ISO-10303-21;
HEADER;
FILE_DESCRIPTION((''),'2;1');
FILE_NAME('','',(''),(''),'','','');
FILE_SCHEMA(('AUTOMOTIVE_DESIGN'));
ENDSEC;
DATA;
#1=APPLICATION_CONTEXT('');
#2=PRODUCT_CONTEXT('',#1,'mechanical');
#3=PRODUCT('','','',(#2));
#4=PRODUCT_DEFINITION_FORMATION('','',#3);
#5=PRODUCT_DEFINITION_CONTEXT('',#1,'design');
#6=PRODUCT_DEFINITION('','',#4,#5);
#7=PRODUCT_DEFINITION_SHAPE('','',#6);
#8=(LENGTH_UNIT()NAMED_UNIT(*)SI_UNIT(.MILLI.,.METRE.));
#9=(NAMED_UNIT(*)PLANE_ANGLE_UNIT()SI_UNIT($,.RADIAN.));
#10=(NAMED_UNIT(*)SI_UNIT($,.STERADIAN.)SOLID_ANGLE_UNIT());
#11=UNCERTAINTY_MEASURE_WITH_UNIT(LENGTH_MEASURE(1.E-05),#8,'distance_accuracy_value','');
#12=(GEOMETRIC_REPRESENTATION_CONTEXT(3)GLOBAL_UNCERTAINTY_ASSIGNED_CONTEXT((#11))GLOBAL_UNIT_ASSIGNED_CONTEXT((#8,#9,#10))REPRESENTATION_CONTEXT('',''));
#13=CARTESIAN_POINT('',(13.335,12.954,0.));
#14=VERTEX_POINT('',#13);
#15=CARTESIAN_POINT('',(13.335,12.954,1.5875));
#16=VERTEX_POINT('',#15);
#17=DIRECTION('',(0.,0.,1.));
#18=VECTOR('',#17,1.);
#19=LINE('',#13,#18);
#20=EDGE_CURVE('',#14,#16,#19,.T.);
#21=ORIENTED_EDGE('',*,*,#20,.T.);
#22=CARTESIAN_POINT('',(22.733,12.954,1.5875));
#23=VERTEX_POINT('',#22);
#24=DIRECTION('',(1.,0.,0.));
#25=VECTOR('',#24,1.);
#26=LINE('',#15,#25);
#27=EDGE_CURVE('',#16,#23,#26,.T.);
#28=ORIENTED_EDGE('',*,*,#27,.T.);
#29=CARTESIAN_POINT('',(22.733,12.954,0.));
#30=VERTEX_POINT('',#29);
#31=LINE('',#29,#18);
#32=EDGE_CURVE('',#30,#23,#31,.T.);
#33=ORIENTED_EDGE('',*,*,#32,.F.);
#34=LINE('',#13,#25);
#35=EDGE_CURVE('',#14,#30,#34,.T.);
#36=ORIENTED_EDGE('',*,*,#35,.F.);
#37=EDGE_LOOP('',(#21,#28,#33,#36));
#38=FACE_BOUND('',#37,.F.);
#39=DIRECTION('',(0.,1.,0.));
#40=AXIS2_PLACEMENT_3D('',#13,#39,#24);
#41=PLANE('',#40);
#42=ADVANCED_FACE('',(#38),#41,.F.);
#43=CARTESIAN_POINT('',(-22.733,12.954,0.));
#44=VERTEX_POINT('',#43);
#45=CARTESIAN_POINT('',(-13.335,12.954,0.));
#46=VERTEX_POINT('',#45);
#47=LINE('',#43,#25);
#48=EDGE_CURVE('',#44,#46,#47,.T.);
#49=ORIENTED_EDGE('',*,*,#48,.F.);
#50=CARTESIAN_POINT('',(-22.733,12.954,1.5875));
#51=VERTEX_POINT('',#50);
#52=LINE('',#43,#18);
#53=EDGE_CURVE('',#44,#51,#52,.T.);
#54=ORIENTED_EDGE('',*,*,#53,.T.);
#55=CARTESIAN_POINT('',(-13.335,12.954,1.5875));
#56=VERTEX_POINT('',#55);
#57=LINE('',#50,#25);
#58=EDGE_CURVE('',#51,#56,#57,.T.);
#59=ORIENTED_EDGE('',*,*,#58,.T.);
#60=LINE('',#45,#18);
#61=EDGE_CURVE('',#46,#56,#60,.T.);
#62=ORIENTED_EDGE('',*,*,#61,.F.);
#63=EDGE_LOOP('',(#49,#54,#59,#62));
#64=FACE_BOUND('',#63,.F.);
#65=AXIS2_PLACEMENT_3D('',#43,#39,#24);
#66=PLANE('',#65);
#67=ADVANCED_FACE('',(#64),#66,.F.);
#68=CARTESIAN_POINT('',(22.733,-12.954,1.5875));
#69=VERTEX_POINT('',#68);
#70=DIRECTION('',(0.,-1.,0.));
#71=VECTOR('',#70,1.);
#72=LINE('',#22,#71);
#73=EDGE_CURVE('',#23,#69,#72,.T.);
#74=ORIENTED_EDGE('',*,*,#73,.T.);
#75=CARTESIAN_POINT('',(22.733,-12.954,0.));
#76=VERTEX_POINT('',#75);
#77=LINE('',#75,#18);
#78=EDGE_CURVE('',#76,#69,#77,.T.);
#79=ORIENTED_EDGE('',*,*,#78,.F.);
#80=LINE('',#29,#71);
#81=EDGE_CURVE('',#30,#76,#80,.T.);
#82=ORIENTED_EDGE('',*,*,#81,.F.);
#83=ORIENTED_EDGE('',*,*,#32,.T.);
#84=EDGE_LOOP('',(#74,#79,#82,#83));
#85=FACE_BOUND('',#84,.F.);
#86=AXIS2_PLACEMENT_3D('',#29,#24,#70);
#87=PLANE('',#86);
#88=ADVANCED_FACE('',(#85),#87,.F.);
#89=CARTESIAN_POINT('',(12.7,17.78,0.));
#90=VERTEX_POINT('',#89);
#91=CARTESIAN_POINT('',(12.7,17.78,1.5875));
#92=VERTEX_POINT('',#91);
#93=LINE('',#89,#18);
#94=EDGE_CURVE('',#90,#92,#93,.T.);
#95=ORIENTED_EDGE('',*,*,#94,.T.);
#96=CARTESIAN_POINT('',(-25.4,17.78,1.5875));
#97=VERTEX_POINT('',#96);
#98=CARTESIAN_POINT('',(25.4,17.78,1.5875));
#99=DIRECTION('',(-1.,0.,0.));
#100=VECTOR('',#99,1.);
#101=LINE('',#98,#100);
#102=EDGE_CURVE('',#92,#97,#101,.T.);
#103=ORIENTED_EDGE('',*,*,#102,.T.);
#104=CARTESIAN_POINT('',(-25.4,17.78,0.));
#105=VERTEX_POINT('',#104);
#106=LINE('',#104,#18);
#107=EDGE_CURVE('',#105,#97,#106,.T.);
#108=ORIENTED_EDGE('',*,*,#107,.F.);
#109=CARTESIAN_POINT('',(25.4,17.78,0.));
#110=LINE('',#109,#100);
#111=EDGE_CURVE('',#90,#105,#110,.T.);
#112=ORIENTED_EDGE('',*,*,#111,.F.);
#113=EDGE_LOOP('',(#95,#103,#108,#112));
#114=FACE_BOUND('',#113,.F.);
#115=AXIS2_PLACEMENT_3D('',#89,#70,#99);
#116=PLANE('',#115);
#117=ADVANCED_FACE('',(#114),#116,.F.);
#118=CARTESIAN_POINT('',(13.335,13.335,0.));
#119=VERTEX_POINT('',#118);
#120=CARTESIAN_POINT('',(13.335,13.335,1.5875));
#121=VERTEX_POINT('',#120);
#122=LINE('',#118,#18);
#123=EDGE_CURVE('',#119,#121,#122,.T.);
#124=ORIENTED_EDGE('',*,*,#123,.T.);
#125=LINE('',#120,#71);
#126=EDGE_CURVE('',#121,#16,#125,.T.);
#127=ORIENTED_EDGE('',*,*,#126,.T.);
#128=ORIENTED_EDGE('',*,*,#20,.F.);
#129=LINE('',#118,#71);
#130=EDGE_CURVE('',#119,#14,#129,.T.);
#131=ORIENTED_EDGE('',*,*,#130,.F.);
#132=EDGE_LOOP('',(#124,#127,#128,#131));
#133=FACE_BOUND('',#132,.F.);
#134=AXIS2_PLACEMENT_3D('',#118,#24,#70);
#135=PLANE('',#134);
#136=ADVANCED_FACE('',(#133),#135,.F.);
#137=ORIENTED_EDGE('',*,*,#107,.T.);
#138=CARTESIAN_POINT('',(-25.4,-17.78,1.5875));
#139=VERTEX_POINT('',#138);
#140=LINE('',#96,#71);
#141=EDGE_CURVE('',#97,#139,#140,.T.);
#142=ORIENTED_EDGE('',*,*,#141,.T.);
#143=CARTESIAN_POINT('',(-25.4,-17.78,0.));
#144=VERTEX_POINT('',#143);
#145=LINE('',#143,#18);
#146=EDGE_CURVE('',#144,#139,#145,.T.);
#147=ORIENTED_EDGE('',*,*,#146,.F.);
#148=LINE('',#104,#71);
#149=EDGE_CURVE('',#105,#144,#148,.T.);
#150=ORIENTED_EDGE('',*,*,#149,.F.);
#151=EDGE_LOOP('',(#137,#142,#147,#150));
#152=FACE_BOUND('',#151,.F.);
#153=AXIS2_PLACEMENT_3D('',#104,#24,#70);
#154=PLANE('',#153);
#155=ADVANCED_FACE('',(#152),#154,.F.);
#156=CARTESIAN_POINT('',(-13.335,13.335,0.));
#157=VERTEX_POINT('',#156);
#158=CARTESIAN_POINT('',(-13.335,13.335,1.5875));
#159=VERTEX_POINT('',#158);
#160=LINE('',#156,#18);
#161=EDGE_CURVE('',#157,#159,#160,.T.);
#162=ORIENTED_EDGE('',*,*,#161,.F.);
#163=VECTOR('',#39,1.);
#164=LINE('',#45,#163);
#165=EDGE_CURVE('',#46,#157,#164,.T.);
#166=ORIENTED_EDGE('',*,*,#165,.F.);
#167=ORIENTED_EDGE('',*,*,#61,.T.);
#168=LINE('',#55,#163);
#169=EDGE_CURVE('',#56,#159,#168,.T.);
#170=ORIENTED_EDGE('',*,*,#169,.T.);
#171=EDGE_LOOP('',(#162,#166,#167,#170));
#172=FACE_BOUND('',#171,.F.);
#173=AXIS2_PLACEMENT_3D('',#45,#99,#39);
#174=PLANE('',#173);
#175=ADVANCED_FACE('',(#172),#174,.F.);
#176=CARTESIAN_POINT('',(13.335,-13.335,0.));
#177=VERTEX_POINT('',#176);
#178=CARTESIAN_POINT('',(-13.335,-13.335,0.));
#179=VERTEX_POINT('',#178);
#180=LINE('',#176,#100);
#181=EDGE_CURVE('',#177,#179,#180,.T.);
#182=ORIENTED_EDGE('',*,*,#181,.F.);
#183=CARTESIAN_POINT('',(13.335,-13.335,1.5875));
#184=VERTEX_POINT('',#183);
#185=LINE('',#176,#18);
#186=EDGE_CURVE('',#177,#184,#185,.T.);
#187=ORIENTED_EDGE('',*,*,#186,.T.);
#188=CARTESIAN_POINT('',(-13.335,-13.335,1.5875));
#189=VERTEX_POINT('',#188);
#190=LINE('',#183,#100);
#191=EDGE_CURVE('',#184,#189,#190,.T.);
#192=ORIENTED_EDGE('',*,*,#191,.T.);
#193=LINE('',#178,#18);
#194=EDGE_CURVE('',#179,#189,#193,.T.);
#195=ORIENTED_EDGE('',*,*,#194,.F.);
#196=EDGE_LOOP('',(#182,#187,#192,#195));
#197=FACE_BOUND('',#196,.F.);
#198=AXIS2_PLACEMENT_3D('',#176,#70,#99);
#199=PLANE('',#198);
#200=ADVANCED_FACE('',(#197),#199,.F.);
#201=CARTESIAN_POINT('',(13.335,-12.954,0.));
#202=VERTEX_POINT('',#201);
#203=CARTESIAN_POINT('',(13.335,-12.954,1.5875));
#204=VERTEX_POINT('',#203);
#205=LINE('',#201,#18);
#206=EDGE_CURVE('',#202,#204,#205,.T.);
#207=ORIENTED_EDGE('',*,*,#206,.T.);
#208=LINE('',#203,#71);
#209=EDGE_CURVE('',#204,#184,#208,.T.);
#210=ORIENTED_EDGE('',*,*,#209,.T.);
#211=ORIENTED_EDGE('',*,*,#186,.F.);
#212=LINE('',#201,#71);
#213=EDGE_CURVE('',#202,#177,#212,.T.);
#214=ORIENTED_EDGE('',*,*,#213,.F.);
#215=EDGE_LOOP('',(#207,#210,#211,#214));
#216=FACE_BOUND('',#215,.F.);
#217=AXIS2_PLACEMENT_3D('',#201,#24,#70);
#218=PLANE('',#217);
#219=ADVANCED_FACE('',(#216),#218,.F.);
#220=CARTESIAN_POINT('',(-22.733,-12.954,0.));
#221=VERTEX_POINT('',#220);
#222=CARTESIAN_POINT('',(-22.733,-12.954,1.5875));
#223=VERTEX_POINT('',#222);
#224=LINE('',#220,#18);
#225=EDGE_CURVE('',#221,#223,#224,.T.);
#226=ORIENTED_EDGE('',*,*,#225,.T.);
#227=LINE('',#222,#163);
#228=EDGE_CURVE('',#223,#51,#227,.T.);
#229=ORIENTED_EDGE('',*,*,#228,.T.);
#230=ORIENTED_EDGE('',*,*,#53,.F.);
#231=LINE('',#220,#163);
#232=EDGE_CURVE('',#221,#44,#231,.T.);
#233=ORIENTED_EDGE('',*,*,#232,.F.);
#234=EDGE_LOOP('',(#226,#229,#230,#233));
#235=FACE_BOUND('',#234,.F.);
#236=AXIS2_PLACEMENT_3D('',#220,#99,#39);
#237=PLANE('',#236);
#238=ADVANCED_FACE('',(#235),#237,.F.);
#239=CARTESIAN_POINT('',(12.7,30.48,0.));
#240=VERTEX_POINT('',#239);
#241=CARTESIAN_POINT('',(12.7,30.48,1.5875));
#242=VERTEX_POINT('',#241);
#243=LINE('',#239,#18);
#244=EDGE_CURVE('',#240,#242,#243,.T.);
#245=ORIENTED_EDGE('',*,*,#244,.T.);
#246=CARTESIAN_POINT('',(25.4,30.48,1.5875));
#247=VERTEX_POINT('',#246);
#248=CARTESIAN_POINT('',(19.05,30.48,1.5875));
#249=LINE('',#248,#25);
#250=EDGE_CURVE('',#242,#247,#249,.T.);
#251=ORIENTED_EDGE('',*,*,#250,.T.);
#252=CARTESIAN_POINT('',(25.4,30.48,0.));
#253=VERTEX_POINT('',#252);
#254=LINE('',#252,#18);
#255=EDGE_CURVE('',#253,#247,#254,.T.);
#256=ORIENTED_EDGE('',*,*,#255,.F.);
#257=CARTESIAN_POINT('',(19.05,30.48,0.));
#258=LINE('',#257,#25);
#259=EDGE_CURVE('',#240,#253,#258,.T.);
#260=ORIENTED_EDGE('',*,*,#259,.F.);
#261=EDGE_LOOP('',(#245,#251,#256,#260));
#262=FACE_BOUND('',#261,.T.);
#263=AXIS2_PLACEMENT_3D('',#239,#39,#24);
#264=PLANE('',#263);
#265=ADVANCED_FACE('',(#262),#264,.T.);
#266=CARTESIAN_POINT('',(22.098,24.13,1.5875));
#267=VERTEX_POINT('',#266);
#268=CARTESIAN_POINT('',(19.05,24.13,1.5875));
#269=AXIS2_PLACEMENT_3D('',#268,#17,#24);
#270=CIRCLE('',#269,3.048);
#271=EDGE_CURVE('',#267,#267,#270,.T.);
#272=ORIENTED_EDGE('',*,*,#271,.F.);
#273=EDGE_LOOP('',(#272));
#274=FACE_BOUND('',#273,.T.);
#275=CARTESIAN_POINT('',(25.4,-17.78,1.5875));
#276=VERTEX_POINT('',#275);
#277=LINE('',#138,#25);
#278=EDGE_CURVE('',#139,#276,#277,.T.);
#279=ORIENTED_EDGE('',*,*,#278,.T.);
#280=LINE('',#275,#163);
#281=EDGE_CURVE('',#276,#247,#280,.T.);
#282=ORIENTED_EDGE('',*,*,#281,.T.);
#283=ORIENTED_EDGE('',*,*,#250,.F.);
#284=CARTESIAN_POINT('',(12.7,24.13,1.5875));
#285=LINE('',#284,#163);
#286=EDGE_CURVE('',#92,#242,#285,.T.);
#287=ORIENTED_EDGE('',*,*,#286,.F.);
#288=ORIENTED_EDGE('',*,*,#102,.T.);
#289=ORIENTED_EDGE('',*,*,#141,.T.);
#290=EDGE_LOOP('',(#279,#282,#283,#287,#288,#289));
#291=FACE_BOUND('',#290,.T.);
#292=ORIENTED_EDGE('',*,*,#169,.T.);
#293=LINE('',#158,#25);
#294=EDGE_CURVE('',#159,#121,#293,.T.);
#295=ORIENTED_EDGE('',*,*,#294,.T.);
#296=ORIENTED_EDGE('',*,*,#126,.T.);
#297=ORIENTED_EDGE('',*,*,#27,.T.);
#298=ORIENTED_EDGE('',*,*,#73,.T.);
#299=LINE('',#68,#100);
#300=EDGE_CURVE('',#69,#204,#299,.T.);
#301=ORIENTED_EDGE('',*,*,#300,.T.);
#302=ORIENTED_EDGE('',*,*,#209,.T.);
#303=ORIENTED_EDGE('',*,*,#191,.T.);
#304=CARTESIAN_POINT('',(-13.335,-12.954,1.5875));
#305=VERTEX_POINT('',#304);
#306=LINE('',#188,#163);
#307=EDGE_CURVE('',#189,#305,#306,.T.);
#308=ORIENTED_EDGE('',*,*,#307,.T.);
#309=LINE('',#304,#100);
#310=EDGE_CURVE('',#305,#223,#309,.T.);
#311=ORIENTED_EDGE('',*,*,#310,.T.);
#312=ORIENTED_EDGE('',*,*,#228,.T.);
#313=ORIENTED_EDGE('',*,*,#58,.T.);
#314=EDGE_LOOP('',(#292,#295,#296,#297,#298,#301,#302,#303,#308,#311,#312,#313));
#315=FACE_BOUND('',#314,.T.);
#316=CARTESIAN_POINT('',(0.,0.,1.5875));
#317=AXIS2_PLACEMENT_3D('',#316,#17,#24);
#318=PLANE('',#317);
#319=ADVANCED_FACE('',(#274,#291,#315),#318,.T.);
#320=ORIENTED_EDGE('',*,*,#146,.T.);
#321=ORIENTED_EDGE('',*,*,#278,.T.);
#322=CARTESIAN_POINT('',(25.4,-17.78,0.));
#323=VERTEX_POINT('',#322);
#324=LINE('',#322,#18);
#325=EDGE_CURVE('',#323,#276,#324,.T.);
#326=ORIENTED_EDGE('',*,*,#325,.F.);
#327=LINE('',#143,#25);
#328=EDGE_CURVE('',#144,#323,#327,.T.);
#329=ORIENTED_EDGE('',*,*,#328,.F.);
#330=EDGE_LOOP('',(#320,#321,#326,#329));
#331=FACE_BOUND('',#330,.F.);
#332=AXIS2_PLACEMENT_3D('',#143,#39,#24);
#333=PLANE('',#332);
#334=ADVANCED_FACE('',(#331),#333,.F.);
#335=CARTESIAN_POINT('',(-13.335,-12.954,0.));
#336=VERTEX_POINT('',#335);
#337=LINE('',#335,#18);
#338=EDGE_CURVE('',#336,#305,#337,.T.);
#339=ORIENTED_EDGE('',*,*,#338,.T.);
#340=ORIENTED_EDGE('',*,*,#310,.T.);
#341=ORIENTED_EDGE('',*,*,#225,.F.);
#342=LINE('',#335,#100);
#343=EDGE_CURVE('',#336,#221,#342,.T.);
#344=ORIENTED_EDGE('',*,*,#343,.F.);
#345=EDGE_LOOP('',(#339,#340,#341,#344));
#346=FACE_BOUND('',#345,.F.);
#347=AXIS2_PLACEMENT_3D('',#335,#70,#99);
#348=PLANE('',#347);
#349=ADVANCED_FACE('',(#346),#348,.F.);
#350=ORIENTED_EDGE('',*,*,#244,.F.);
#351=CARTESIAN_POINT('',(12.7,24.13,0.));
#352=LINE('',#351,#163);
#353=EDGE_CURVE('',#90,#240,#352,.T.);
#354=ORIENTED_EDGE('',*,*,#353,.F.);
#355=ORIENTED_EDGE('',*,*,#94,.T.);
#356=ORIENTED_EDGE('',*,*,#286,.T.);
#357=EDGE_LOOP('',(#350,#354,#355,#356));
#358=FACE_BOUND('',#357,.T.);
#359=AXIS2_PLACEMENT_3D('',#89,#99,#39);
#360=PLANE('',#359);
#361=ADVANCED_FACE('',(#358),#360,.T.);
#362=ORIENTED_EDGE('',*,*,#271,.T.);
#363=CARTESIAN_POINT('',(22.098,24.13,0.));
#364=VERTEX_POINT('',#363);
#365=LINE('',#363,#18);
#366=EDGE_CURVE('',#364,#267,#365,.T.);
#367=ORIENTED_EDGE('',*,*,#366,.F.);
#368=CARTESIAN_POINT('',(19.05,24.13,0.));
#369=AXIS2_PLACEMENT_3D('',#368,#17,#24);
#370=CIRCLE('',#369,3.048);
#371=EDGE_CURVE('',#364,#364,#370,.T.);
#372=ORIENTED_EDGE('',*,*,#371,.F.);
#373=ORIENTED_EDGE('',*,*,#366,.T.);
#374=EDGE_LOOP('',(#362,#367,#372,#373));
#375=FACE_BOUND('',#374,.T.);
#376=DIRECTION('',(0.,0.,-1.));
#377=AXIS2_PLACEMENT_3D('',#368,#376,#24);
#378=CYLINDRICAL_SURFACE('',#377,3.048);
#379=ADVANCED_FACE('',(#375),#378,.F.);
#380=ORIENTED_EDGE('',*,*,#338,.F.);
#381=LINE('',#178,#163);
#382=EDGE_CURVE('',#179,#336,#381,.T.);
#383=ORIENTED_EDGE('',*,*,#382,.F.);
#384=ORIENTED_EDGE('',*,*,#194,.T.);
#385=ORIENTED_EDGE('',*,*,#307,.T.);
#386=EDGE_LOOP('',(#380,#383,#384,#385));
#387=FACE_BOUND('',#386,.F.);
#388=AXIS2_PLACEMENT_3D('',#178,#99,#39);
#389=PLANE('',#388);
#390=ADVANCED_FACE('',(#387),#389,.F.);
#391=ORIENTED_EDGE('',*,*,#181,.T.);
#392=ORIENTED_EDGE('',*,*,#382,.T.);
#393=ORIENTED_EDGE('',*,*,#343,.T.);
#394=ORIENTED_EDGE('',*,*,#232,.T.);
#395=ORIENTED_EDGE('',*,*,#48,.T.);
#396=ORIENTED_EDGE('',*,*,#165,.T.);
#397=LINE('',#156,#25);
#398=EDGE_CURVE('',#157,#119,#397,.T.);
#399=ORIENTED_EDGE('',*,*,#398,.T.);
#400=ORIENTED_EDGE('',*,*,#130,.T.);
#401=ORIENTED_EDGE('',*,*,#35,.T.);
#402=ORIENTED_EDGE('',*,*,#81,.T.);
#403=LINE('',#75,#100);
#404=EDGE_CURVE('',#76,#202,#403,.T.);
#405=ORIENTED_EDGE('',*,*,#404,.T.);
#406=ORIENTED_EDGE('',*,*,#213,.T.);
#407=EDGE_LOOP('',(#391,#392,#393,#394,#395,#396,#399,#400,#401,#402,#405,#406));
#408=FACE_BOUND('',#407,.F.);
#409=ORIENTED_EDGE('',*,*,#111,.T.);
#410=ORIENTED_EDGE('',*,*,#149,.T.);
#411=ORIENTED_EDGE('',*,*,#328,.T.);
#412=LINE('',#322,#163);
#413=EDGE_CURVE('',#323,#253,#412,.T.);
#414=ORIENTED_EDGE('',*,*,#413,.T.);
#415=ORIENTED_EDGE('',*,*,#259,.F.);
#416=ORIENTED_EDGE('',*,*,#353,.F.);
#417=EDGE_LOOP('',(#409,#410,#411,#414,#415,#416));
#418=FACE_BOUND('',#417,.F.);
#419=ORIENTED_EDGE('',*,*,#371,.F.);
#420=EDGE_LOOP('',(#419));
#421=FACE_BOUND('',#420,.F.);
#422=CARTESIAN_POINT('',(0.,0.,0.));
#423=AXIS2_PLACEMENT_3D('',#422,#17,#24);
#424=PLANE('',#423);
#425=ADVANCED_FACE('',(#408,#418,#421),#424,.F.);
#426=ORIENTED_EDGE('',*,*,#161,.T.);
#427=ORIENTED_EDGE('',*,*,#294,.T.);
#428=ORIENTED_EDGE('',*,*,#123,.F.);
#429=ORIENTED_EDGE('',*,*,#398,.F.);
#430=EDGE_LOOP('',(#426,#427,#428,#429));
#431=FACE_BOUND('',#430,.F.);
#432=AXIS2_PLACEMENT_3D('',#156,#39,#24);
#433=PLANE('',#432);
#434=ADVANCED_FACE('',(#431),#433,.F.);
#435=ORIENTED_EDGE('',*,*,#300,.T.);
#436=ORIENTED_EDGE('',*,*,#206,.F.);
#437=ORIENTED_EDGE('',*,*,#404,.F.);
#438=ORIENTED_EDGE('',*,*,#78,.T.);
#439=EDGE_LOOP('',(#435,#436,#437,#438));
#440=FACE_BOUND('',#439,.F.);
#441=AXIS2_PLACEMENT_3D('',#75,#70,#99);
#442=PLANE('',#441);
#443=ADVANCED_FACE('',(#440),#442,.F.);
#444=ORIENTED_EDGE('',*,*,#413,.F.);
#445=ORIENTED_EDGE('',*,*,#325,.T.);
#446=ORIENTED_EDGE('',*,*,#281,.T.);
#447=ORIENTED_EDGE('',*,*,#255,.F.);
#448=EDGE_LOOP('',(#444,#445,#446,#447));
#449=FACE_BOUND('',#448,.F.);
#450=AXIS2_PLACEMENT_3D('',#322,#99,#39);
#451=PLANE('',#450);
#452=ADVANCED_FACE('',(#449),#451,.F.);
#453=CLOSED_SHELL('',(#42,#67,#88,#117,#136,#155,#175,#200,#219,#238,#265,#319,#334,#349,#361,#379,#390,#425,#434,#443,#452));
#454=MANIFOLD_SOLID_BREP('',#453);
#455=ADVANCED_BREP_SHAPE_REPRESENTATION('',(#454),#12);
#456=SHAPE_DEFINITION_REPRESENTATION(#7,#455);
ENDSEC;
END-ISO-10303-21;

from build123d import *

# Parameters (mm, degrees)
F0_W     = 12.7
F0_H     = 12.7
F0_R     = 3.048
F1_DEPTH = 1.5875


with BuildPart() as f1:
    # F0 (on Top) → F1 (new body)
    with BuildSketch(Plane.XY):
        Polygon((-25.4, -17.78), (25.4, -17.78), (25.4, 17.78), (12.7, 17.78), (-25.4, 17.78), align=None)
        Polygon((22.733, 12.954), (22.733, -12.954), (13.335, -12.954), (13.335, -13.335), (-13.335, -13.335), (-13.335, -12.954), (-22.733, -12.954), (-22.733, 12.954), (-13.335, 12.954), (-13.335, 13.335), (13.335, 13.335), (13.335, 12.954), align=None, mode=Mode.SUBTRACT)
        with Locations((19.05, 24.13)):
            Rectangle(F0_W, F0_H)
        with Locations((19.05, 24.13)):
            Circle(F0_R, mode=Mode.SUBTRACT)
    extrude(amount=F1_DEPTH)


solid = f1.part
